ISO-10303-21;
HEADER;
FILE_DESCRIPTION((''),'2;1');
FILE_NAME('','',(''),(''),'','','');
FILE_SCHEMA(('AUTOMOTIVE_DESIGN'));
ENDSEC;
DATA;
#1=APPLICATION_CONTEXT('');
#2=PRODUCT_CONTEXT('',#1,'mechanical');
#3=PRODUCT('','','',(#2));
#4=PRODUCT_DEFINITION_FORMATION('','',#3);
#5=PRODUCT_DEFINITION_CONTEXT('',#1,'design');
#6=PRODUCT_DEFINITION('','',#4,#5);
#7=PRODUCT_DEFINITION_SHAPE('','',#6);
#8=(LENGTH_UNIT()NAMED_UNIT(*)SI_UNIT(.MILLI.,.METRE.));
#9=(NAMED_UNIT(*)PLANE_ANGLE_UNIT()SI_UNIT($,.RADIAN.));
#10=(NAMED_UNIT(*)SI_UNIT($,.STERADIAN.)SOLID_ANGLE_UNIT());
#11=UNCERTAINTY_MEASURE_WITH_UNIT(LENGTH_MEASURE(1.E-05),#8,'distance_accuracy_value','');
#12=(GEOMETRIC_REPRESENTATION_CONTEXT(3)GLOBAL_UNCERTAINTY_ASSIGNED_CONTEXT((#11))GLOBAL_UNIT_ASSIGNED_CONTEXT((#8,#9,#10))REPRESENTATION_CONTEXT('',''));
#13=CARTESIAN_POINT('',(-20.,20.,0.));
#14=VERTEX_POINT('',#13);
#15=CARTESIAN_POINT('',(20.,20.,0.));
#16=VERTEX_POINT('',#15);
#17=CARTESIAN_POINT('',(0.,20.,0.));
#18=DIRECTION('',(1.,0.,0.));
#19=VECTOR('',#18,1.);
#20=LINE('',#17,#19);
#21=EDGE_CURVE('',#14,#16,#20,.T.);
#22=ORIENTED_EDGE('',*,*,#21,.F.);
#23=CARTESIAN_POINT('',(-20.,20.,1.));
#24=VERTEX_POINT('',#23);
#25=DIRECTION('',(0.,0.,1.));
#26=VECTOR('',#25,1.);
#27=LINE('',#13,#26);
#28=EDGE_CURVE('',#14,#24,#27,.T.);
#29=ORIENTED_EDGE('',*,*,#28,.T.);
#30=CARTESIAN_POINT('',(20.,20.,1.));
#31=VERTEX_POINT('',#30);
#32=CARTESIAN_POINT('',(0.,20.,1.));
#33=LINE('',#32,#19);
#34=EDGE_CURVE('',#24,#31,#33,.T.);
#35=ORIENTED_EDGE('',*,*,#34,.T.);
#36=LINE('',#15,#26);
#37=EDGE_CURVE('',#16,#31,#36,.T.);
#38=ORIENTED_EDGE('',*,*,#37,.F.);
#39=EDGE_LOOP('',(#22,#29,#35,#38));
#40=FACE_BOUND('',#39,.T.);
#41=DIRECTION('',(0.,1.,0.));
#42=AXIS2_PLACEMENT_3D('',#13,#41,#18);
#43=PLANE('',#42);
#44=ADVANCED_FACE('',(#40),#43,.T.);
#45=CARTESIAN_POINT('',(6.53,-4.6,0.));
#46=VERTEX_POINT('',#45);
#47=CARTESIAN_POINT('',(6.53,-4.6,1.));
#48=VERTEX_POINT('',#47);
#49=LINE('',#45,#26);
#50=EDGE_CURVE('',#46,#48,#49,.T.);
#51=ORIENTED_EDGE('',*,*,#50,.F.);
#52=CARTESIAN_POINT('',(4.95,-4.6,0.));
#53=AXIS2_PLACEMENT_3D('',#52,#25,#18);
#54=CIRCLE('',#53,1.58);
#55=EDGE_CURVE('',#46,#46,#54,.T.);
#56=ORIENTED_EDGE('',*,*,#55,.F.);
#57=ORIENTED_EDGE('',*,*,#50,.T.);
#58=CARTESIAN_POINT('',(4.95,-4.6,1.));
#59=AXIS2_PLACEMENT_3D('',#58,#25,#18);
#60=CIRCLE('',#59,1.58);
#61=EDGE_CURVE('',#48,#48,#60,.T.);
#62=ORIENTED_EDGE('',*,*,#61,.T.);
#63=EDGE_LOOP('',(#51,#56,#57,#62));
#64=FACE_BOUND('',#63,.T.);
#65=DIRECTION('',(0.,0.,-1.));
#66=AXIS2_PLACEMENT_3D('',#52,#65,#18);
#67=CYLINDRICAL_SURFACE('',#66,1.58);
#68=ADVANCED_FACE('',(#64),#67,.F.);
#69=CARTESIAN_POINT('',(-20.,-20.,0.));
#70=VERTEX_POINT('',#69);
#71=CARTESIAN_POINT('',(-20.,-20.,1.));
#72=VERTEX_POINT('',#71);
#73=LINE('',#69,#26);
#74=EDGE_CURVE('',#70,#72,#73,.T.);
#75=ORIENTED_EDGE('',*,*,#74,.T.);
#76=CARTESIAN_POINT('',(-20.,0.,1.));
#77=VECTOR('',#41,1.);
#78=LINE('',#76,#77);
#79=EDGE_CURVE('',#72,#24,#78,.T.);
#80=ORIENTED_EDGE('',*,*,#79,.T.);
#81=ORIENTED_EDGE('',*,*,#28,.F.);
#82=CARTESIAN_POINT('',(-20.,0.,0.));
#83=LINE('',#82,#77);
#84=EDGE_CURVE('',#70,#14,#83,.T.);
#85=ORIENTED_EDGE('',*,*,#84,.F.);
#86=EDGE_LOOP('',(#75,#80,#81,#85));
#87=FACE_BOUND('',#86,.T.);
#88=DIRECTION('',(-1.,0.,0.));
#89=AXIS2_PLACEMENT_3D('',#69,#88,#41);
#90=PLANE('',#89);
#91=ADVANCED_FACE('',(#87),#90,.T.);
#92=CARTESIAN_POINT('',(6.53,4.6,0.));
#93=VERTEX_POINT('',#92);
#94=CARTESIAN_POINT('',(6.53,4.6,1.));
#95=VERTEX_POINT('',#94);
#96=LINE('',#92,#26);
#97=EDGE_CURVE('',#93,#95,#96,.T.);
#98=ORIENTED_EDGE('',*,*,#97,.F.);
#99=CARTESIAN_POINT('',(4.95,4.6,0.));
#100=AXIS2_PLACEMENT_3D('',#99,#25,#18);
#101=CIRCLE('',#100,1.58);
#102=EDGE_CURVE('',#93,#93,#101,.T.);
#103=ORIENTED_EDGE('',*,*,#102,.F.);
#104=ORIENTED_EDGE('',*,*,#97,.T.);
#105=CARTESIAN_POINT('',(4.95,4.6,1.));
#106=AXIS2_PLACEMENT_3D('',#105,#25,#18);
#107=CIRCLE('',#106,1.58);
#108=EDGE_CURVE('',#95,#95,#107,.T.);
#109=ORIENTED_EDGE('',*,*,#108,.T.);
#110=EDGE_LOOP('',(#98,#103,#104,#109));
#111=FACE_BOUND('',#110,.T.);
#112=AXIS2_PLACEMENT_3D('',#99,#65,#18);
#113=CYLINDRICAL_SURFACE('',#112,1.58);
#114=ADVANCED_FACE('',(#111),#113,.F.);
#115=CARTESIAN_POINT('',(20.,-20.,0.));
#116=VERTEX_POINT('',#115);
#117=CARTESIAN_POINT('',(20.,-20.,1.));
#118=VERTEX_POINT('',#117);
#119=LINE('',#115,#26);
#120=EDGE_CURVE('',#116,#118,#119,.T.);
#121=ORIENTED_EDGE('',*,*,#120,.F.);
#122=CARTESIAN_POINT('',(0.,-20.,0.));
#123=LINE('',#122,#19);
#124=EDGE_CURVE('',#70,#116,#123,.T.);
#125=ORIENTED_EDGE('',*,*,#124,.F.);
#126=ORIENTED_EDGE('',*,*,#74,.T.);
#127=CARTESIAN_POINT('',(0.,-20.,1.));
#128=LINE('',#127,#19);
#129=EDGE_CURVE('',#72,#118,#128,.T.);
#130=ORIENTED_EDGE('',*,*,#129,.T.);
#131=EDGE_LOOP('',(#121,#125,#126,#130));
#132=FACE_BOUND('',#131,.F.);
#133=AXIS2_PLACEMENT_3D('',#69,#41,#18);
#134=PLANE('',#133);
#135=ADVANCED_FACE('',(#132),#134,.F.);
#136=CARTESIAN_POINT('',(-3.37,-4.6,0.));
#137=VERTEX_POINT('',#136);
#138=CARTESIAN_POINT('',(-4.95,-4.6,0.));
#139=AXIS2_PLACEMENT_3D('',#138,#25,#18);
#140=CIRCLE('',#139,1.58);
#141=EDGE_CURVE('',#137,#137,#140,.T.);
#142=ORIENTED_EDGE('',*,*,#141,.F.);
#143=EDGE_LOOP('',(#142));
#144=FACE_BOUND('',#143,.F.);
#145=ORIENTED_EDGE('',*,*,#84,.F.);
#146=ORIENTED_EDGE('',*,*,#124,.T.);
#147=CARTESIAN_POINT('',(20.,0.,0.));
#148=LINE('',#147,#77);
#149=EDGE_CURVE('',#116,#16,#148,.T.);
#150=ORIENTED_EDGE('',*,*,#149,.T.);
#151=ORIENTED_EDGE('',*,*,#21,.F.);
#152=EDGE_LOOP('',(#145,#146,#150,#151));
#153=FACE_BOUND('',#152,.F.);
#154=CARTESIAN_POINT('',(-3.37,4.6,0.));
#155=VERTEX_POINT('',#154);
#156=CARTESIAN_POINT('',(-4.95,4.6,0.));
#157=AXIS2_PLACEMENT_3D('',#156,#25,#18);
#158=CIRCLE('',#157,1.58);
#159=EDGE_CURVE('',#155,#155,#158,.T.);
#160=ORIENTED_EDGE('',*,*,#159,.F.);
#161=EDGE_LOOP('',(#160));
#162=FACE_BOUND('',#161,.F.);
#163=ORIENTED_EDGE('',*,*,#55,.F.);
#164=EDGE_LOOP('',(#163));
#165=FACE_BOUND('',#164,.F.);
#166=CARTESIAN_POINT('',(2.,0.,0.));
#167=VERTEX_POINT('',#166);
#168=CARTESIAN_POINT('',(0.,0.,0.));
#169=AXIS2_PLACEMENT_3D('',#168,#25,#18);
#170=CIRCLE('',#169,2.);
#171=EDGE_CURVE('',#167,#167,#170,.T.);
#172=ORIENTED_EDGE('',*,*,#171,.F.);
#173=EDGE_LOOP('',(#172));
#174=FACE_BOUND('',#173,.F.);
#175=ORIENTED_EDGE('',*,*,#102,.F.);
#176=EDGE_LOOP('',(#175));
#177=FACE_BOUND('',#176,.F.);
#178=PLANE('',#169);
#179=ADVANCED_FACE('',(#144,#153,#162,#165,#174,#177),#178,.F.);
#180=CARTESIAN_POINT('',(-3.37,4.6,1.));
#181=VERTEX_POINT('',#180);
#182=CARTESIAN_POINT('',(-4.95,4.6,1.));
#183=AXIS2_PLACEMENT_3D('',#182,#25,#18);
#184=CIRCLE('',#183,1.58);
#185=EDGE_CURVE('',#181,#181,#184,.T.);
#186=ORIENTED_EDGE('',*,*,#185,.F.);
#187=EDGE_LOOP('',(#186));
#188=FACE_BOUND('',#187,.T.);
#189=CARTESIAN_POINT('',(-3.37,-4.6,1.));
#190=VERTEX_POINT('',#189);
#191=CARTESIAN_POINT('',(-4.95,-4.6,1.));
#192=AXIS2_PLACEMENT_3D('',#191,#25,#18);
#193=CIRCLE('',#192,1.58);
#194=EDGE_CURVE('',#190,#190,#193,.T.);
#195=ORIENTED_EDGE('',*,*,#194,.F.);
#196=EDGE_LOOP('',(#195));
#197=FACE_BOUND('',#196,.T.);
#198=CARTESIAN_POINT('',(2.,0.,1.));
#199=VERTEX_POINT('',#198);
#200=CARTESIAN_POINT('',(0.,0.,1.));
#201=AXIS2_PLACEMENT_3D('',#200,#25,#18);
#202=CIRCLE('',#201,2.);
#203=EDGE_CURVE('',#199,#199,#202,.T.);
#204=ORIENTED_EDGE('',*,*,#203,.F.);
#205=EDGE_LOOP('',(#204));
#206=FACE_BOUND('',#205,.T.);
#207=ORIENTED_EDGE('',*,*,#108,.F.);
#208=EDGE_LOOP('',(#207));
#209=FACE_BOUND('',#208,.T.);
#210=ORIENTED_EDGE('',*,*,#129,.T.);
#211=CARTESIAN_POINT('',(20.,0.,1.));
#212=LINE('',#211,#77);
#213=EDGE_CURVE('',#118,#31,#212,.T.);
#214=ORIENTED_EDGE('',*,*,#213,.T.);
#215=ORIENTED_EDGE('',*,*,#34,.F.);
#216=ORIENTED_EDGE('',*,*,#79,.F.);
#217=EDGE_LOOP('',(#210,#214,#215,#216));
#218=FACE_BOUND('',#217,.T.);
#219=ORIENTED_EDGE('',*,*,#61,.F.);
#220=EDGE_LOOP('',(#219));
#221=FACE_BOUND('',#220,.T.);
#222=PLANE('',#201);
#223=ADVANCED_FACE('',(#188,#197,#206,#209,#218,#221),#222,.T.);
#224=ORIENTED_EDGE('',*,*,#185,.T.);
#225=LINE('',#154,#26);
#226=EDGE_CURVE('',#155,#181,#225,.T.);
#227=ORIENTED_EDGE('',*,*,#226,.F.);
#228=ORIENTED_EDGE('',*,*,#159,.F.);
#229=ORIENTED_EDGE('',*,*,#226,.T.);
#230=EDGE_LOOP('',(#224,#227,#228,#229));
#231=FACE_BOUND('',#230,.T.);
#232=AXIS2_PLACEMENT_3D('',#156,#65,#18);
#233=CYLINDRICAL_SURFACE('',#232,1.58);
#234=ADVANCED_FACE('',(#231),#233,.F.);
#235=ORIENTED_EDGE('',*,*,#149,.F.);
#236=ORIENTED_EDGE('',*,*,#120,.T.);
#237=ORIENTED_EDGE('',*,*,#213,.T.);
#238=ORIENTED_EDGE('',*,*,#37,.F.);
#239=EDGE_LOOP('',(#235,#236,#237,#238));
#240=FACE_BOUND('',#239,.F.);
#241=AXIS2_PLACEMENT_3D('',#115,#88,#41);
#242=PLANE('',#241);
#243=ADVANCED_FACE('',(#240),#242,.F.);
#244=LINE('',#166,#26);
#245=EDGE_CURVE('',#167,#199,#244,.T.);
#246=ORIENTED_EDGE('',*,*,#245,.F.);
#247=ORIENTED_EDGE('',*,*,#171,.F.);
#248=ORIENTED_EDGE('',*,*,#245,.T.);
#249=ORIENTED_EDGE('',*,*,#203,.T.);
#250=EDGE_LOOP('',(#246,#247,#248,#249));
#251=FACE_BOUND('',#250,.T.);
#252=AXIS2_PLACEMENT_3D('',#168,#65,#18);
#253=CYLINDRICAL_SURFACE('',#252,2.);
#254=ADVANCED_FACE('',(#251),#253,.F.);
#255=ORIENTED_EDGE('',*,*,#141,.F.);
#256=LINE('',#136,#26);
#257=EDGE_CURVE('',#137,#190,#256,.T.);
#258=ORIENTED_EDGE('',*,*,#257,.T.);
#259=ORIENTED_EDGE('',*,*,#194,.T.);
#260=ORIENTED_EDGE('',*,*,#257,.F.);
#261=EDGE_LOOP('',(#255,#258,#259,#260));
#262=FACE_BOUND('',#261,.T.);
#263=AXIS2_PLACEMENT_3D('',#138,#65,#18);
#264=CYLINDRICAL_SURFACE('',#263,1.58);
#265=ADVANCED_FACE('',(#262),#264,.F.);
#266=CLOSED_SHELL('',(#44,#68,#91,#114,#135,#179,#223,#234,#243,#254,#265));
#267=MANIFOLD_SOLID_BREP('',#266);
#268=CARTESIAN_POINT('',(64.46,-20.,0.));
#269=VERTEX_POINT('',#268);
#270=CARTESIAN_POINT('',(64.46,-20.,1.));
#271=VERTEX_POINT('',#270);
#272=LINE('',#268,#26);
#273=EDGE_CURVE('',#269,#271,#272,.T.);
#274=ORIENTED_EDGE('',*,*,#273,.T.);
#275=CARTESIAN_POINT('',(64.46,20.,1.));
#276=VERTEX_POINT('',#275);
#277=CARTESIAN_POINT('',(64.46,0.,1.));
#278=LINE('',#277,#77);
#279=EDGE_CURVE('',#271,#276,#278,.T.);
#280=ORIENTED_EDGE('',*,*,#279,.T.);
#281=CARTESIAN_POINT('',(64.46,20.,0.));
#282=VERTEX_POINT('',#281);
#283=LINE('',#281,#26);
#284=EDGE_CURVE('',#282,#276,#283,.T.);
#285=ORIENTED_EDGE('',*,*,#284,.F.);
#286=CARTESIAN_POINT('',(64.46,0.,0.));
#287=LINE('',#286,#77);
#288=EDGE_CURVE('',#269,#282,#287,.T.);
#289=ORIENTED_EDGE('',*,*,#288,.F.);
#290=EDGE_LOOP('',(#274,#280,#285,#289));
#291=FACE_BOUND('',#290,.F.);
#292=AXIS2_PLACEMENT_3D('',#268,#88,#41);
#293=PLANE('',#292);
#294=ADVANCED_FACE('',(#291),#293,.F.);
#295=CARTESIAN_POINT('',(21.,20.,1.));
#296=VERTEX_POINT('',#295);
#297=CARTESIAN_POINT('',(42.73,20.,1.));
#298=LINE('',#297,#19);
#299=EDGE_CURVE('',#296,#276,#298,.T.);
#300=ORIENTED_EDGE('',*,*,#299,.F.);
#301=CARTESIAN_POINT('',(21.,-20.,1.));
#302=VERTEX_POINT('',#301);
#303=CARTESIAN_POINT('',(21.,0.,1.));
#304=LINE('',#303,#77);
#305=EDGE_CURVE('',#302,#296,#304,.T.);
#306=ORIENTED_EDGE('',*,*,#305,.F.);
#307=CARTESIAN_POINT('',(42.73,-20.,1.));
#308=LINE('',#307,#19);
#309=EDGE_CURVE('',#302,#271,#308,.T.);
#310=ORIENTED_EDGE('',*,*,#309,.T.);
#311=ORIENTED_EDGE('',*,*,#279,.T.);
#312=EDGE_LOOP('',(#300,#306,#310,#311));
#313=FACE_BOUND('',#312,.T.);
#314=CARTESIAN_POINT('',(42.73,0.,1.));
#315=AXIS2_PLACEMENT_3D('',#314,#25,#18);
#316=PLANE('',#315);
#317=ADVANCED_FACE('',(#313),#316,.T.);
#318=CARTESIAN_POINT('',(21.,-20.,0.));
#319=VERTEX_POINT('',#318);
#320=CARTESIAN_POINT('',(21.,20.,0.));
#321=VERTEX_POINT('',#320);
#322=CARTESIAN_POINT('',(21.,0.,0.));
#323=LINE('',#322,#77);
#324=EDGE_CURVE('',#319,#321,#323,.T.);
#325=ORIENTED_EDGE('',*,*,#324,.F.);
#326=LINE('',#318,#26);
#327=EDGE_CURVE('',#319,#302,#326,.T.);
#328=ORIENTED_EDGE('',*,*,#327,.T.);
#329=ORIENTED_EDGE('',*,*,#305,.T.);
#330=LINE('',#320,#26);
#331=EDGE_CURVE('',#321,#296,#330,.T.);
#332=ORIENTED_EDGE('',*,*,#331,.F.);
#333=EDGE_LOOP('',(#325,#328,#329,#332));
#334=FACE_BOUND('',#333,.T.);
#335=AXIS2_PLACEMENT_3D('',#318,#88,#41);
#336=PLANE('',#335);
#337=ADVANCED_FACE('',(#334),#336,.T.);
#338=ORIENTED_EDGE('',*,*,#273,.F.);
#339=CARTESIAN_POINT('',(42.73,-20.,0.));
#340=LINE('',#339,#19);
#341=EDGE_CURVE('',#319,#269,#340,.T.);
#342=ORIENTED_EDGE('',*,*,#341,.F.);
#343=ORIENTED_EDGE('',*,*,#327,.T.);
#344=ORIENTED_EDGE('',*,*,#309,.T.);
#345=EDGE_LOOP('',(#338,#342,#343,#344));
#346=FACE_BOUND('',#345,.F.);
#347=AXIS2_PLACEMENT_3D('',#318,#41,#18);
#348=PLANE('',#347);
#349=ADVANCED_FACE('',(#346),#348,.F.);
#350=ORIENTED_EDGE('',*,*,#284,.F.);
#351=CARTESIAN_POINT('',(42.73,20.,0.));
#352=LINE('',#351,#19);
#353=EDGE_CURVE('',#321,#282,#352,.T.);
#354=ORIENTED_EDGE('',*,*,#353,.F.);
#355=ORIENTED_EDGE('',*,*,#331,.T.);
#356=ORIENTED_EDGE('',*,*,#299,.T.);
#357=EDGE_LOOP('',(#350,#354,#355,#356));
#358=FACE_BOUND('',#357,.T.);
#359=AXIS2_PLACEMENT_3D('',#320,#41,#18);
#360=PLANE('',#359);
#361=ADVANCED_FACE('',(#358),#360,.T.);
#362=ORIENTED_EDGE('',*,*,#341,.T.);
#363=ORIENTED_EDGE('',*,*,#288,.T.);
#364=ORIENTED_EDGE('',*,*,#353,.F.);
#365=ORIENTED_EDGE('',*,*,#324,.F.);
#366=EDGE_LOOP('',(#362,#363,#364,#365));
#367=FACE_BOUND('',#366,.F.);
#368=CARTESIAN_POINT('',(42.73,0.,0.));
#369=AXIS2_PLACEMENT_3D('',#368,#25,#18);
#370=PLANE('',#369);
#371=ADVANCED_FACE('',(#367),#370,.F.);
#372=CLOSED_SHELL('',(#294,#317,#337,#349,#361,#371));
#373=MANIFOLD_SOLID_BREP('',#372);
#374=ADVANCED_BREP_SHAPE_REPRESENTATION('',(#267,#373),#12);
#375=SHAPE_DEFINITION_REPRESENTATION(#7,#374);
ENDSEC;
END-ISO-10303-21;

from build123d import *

# Parameters (mm, degrees)
BOX001_W          = 43.46
BOX001_H          = 40
BOX001_DEPTH      = 1
CYLINDER004_R     = 2
CYLINDER004_DEPTH = 1
CYLINDER003_R     = 1.58
CYLINDER003_DEPTH = 1
CYLINDER_R        = 1.58
CYLINDER_DEPTH    = 1
CYLINDER001_R     = 1.58
CYLINDER001_DEPTH = 1
CYLINDER002_R     = 1.58
CYLINDER002_DEPTH = 1
BOX_W             = 40
BOX_H             = 40
BOX_DEPTH         = 1


with BuildPart() as cube001:
    # Box001 → Box001 (new body)
    with BuildSketch(Plane(origin=(21, -20, 0), x_dir=(1, 0, 0), z_dir=(0, 0, 1))):
        with Locations((21.73, 20)):
            Rectangle(BOX001_W, BOX001_H)
    extrude(amount=BOX001_DEPTH)


with BuildPart() as cylinder004:
    # Cylinder004 → Cylinder004 (new body)
    with BuildSketch(Plane.XY):
        Circle(CYLINDER004_R)
    extrude(amount=CYLINDER004_DEPTH)


with BuildPart() as cylinder003:
    # Cylinder003 → Cylinder003 (new body)
    with BuildSketch(Plane(origin=(4.95, -4.6, 0), x_dir=(1, 0, 0), z_dir=(0, 0, 1))):
        Circle(CYLINDER003_R)
    extrude(amount=CYLINDER003_DEPTH)


with BuildPart() as cylinder:
    # Cylinder → Cylinder (new body)
    with BuildSketch(Plane(origin=(-4.95, -4.6, 0), x_dir=(1, 0, 0), z_dir=(0, 0, 1))):
        Circle(CYLINDER_R)
    extrude(amount=CYLINDER_DEPTH)


with BuildPart() as cylinder001:
    # Cylinder001 → Cylinder001 (new body)
    with BuildSketch(Plane(origin=(-4.95, 4.6, 0), x_dir=(1, 0, 0), z_dir=(0, 0, 1))):
        Circle(CYLINDER001_R)
    extrude(amount=CYLINDER001_DEPTH)


with BuildPart() as cylinder002:
    # Cylinder002 → Cylinder002 (new body)
    with BuildSketch(Plane(origin=(4.95, 4.6, 0), x_dir=(1, 0, 0), z_dir=(0, 0, 1))):
        Circle(CYLINDER002_R)
    extrude(amount=CYLINDER002_DEPTH)


with BuildPart() as cut004:
    # Box → Box (new body)
    with BuildSketch(Plane(origin=(-20, -20, 0), x_dir=(1, 0, 0), z_dir=(0, 0, 1))):
        with Locations((20, 20)):
            Rectangle(BOX_W, BOX_H)
    extrude(amount=BOX_DEPTH)

    # Cut: cut Cylinder002
    add(cylinder002.part, mode=Mode.SUBTRACT)

    # Cut001: cut Cylinder001
    add(cylinder001.part, mode=Mode.SUBTRACT)

    # Cut002: cut Cylinder
    add(cylinder.part, mode=Mode.SUBTRACT)

    # Cut003: cut Cylinder003
    add(cylinder003.part, mode=Mode.SUBTRACT)

    # Cut004: cut Cylinder004
    add(cylinder004.part, mode=Mode.SUBTRACT)


solid = Compound([cube001.part, cut004.part])
